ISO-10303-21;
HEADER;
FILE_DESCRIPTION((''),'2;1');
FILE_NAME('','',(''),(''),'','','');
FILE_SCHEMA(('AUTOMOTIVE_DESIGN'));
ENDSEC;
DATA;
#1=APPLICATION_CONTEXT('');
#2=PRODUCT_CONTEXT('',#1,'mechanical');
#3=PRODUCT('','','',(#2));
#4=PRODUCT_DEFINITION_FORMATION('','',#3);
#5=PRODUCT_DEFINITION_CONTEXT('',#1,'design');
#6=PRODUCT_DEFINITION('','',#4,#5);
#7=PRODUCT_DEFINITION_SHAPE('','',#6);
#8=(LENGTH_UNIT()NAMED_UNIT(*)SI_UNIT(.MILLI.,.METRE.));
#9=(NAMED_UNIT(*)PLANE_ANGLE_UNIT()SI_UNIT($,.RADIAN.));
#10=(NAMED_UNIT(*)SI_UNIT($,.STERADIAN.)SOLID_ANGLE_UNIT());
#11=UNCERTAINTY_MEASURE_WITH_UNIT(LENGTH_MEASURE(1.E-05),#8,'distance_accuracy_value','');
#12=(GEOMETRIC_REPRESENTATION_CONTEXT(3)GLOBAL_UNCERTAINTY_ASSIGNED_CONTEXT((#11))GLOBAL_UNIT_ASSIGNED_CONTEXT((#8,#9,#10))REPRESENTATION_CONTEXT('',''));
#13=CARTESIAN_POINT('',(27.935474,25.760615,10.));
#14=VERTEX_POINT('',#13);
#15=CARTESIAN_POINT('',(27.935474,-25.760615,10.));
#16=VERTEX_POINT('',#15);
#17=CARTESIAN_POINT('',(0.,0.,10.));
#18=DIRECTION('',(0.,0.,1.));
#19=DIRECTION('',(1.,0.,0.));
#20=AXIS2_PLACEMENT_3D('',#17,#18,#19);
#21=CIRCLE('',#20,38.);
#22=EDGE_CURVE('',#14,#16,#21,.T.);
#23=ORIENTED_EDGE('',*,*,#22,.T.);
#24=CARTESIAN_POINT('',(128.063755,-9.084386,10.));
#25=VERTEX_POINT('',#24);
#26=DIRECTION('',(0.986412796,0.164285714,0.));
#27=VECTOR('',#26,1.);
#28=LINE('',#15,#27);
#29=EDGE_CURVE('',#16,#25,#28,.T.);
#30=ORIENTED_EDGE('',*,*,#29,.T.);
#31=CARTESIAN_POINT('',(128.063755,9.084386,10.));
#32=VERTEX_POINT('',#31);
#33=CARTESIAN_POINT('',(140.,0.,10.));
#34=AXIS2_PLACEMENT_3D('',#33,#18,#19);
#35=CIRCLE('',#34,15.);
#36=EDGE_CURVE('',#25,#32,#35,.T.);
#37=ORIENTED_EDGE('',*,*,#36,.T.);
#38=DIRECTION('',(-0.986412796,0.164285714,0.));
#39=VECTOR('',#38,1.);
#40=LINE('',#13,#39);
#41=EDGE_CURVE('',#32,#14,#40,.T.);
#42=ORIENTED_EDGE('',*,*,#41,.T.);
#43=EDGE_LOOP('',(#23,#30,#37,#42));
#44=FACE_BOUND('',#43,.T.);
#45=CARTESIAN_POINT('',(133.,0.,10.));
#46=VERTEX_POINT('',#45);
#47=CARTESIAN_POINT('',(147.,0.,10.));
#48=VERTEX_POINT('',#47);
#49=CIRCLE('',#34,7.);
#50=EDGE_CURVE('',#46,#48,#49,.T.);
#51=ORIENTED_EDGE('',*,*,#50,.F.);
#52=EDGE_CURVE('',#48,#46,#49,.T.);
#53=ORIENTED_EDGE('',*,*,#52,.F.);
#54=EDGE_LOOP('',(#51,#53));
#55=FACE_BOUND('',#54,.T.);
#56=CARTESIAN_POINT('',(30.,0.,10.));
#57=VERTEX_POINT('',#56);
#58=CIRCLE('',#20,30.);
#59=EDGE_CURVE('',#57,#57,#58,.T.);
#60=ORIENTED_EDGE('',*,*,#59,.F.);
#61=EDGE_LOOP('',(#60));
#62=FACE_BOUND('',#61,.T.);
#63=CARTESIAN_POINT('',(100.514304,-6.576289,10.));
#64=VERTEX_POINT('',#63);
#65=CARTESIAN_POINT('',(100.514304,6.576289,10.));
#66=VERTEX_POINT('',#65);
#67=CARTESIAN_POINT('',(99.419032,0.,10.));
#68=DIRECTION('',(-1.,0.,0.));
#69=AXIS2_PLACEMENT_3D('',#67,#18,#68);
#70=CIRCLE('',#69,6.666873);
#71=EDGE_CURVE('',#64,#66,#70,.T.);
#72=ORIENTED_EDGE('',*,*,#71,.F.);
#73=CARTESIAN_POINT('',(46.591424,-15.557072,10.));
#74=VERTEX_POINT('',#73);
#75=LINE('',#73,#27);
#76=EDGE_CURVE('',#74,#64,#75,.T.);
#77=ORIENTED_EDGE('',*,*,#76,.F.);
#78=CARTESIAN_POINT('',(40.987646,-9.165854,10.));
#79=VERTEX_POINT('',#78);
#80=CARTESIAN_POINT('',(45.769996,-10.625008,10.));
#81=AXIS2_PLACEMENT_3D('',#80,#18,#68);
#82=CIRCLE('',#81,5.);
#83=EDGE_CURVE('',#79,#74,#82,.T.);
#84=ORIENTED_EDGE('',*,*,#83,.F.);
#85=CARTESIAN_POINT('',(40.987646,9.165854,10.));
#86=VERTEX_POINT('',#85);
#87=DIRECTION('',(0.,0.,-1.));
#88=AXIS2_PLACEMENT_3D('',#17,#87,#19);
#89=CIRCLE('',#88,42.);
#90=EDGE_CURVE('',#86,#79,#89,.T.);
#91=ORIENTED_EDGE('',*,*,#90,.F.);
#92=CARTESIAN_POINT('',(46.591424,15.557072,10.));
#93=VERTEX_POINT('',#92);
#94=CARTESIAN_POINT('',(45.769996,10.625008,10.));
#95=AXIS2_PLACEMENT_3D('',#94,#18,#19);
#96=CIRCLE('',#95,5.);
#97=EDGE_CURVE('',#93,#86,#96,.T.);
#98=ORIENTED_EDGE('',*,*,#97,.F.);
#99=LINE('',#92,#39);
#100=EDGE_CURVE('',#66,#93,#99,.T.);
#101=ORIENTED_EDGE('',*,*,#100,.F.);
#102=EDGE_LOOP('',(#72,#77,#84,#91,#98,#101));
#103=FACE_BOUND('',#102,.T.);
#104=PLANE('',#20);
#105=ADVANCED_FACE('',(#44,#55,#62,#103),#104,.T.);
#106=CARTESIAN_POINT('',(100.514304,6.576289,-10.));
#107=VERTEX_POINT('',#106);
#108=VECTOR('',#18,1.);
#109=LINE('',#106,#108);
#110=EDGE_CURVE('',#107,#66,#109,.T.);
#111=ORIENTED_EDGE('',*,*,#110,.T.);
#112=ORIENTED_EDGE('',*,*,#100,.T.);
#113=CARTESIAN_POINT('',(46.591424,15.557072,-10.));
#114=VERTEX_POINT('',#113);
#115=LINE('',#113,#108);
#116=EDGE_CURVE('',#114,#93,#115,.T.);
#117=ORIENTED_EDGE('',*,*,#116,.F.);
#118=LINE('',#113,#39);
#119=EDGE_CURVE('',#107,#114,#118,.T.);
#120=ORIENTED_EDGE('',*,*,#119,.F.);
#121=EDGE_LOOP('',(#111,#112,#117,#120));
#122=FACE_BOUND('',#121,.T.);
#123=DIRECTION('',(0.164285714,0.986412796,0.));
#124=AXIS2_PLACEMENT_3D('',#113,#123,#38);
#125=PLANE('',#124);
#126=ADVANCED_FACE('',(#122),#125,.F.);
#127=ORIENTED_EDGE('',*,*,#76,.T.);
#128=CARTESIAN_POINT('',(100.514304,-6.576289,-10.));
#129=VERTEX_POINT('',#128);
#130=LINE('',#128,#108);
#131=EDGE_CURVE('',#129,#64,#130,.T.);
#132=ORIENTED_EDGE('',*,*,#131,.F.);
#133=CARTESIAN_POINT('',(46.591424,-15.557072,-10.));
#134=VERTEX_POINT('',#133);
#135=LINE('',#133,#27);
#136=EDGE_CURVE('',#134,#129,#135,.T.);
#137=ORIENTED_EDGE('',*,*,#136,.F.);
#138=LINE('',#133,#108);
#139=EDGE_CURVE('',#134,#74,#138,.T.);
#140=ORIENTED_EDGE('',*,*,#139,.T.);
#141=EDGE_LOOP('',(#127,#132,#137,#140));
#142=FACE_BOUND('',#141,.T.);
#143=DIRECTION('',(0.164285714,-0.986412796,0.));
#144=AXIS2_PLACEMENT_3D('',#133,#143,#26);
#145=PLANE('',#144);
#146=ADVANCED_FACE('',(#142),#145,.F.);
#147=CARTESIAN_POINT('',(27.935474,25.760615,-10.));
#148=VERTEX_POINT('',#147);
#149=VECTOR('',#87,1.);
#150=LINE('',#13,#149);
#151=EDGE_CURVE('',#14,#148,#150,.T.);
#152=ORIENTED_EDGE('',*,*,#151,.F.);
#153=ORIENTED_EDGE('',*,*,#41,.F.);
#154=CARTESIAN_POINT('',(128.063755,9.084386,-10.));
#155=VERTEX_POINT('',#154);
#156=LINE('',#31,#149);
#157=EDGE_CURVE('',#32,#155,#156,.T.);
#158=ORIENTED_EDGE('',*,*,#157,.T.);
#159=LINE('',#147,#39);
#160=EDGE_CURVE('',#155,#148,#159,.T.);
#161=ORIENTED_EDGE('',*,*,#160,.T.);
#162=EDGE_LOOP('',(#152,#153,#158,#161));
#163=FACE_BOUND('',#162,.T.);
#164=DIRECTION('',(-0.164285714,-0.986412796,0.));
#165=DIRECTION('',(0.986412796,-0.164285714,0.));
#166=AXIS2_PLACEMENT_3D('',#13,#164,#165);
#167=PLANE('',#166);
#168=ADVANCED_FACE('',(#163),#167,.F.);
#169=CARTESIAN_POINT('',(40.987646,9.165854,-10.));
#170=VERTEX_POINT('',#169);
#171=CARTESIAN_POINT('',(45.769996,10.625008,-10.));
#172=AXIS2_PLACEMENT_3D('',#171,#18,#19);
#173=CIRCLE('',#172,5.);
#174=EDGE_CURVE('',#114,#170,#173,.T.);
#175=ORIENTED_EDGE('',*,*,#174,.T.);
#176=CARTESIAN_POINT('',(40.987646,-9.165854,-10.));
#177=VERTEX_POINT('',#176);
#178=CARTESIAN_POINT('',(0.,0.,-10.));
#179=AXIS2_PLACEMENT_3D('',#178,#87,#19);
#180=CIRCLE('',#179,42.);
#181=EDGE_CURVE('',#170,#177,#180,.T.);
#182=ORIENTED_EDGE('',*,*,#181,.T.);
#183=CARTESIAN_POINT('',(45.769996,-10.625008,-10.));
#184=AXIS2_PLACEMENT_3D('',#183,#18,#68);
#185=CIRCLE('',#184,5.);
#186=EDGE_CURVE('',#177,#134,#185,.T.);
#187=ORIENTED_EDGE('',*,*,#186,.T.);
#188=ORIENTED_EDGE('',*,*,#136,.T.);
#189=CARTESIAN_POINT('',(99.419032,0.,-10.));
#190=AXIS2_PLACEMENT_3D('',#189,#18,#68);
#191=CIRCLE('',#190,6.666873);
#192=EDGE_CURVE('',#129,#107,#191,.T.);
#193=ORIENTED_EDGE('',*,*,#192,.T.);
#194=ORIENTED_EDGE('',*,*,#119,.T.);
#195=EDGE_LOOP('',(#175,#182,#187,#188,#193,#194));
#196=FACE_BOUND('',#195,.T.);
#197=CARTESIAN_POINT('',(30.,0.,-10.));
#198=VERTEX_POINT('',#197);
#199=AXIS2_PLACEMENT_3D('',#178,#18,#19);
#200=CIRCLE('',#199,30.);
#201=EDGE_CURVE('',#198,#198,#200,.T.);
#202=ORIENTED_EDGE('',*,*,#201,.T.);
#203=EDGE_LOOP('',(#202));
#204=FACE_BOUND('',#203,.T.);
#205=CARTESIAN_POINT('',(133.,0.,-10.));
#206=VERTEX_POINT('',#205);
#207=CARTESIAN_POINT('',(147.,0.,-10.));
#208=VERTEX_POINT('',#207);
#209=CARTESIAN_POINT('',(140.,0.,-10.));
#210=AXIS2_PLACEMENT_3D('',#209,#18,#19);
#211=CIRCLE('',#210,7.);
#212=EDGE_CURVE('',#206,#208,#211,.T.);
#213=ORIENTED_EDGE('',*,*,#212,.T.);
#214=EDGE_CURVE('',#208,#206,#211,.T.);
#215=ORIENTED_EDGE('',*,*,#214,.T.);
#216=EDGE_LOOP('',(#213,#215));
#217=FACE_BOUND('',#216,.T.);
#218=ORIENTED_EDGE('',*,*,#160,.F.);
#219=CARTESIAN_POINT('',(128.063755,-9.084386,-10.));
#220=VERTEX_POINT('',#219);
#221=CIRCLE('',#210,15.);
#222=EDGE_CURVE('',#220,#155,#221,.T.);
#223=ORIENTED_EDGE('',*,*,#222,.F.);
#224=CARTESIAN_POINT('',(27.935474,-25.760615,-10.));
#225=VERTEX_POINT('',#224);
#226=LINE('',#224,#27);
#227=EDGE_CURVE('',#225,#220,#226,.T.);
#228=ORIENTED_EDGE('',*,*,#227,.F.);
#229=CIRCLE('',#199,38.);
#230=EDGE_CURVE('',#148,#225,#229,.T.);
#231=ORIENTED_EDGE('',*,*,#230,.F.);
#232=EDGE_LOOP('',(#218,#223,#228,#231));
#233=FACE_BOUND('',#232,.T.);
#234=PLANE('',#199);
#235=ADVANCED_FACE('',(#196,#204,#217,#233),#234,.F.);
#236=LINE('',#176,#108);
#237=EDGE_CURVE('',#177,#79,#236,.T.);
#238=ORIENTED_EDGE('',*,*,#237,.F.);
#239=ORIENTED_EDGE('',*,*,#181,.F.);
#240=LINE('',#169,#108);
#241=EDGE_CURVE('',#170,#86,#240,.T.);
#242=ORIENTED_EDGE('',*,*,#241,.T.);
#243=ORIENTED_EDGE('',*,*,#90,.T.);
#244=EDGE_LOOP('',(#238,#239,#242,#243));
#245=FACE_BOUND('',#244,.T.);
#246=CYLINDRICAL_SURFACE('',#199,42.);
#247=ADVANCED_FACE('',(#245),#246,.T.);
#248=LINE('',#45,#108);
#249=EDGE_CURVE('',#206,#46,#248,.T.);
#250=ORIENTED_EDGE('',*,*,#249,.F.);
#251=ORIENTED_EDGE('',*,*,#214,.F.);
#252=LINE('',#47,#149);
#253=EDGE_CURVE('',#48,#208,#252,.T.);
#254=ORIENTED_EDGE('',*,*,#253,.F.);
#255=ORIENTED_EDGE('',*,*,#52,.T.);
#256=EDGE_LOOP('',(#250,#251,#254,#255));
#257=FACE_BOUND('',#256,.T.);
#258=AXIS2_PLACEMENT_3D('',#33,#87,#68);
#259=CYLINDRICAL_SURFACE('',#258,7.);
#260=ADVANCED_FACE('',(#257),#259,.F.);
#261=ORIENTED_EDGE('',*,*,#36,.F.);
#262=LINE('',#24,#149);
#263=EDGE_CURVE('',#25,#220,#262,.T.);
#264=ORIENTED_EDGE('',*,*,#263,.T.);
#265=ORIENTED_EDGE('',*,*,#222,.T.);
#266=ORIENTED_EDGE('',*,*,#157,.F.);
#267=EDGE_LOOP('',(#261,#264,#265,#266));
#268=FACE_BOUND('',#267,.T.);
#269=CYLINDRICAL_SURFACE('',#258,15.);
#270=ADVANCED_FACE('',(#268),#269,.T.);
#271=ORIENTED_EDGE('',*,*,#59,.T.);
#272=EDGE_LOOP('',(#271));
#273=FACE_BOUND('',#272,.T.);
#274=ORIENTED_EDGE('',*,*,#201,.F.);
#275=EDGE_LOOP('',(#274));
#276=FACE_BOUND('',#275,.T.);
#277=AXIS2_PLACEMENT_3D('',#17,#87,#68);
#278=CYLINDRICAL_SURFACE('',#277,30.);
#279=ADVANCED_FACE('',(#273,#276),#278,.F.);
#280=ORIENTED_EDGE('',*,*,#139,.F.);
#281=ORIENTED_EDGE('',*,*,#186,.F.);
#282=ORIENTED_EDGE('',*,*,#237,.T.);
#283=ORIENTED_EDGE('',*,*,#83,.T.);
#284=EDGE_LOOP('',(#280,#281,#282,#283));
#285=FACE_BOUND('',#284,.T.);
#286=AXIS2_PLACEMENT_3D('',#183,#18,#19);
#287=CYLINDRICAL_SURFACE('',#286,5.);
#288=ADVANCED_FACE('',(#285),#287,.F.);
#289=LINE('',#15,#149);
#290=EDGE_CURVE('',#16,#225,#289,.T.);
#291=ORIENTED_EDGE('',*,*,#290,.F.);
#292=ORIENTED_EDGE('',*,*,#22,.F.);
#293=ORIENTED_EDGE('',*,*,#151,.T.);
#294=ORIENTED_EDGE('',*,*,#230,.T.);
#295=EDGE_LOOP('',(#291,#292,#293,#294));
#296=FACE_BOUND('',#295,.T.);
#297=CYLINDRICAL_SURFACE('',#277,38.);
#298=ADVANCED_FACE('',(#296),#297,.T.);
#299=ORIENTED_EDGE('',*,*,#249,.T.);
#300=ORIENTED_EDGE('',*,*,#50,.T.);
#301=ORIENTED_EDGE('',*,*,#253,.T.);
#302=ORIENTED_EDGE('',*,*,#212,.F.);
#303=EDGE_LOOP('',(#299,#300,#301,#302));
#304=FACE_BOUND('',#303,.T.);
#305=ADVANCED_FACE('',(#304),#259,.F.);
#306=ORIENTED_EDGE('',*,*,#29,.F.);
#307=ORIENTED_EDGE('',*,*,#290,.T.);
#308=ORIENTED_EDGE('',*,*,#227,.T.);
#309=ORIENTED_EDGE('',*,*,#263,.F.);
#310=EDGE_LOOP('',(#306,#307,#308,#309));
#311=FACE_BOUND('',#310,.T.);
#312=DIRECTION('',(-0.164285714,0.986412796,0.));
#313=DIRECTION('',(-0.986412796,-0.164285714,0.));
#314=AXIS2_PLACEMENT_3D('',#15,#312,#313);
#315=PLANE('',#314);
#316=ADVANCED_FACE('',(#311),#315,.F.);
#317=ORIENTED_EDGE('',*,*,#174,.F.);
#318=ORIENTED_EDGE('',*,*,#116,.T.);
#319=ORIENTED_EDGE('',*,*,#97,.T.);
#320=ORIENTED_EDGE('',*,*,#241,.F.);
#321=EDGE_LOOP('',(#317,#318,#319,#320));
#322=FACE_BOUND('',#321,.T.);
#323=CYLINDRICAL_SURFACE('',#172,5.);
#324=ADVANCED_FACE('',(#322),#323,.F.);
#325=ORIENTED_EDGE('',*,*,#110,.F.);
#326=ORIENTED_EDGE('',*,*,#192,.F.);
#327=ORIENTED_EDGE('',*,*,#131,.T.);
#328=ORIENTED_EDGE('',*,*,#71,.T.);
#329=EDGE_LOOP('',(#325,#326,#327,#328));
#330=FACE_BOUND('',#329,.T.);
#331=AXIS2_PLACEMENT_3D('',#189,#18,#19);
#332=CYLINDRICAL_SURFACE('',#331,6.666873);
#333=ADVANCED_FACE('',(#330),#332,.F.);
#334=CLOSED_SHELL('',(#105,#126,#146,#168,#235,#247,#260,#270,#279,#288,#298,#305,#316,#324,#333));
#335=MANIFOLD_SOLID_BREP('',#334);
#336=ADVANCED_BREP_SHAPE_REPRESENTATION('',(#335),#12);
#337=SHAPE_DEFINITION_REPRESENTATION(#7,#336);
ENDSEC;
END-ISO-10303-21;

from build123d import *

# Parameters (mm, degrees)
SKETCH1_R           = 30
SKETCH1_R_2         = 7
BOSS_EXTRUDE1_DEPTH = 10
CUT_EXTRUDE1_DEPTH  = 161.838428244


with BuildPart() as part:
    # Sketch1 → Boss-Extrude1 (new, symmetric)
    with BuildSketch(Plane.XY):
        with BuildLine():
            Line((27.935473676, -25.760615491), (128.063755469, -9.084385863))
            ThreePointArc((128.063755469, -9.084385863), (155, 0), (128.063755469, 9.084385863))
            Line((128.063755469, 9.084385863), (27.935473676, 25.760615491))
            ThreePointArc((27.935473676, 25.760615491), (-38, 0), (27.935473676, -25.760615491))
        make_face()
        Circle(SKETCH1_R, mode=Mode.SUBTRACT)
        with Locations((140, 0)):
            Circle(SKETCH1_R_2, mode=Mode.SUBTRACT)
    extrude(amount=BOSS_EXTRUDE1_DEPTH, both=True)

    # Sketch2 → Cut-Extrude1 (cut, through all)
    with BuildSketch(Plane.XY.offset(10)):
        with BuildLine():
            Line((46.591424383, 15.557071672), (100.514303988, 6.576289156))
            ThreePointArc((100.514303988, 6.576289156), (106.085905266, 0), (100.514303988, -6.576289156))
            Line((100.514303988, -6.576289156), (46.591424383, -15.557071672))
            ThreePointArc((46.591424383, -15.557071672), (42.010455779, -13.921347897), (40.987646035, -9.165853617))
            ThreePointArc((40.987646035, -9.165853617), (42, 0), (40.987646035, 9.165853617))
            ThreePointArc((40.987646035, 9.165853617), (42.010455779, 13.921347897), (46.591424383, 15.557071672))
        make_face()
    extrude(amount=-CUT_EXTRUDE1_DEPTH, mode=Mode.SUBTRACT)


solid = part.part
